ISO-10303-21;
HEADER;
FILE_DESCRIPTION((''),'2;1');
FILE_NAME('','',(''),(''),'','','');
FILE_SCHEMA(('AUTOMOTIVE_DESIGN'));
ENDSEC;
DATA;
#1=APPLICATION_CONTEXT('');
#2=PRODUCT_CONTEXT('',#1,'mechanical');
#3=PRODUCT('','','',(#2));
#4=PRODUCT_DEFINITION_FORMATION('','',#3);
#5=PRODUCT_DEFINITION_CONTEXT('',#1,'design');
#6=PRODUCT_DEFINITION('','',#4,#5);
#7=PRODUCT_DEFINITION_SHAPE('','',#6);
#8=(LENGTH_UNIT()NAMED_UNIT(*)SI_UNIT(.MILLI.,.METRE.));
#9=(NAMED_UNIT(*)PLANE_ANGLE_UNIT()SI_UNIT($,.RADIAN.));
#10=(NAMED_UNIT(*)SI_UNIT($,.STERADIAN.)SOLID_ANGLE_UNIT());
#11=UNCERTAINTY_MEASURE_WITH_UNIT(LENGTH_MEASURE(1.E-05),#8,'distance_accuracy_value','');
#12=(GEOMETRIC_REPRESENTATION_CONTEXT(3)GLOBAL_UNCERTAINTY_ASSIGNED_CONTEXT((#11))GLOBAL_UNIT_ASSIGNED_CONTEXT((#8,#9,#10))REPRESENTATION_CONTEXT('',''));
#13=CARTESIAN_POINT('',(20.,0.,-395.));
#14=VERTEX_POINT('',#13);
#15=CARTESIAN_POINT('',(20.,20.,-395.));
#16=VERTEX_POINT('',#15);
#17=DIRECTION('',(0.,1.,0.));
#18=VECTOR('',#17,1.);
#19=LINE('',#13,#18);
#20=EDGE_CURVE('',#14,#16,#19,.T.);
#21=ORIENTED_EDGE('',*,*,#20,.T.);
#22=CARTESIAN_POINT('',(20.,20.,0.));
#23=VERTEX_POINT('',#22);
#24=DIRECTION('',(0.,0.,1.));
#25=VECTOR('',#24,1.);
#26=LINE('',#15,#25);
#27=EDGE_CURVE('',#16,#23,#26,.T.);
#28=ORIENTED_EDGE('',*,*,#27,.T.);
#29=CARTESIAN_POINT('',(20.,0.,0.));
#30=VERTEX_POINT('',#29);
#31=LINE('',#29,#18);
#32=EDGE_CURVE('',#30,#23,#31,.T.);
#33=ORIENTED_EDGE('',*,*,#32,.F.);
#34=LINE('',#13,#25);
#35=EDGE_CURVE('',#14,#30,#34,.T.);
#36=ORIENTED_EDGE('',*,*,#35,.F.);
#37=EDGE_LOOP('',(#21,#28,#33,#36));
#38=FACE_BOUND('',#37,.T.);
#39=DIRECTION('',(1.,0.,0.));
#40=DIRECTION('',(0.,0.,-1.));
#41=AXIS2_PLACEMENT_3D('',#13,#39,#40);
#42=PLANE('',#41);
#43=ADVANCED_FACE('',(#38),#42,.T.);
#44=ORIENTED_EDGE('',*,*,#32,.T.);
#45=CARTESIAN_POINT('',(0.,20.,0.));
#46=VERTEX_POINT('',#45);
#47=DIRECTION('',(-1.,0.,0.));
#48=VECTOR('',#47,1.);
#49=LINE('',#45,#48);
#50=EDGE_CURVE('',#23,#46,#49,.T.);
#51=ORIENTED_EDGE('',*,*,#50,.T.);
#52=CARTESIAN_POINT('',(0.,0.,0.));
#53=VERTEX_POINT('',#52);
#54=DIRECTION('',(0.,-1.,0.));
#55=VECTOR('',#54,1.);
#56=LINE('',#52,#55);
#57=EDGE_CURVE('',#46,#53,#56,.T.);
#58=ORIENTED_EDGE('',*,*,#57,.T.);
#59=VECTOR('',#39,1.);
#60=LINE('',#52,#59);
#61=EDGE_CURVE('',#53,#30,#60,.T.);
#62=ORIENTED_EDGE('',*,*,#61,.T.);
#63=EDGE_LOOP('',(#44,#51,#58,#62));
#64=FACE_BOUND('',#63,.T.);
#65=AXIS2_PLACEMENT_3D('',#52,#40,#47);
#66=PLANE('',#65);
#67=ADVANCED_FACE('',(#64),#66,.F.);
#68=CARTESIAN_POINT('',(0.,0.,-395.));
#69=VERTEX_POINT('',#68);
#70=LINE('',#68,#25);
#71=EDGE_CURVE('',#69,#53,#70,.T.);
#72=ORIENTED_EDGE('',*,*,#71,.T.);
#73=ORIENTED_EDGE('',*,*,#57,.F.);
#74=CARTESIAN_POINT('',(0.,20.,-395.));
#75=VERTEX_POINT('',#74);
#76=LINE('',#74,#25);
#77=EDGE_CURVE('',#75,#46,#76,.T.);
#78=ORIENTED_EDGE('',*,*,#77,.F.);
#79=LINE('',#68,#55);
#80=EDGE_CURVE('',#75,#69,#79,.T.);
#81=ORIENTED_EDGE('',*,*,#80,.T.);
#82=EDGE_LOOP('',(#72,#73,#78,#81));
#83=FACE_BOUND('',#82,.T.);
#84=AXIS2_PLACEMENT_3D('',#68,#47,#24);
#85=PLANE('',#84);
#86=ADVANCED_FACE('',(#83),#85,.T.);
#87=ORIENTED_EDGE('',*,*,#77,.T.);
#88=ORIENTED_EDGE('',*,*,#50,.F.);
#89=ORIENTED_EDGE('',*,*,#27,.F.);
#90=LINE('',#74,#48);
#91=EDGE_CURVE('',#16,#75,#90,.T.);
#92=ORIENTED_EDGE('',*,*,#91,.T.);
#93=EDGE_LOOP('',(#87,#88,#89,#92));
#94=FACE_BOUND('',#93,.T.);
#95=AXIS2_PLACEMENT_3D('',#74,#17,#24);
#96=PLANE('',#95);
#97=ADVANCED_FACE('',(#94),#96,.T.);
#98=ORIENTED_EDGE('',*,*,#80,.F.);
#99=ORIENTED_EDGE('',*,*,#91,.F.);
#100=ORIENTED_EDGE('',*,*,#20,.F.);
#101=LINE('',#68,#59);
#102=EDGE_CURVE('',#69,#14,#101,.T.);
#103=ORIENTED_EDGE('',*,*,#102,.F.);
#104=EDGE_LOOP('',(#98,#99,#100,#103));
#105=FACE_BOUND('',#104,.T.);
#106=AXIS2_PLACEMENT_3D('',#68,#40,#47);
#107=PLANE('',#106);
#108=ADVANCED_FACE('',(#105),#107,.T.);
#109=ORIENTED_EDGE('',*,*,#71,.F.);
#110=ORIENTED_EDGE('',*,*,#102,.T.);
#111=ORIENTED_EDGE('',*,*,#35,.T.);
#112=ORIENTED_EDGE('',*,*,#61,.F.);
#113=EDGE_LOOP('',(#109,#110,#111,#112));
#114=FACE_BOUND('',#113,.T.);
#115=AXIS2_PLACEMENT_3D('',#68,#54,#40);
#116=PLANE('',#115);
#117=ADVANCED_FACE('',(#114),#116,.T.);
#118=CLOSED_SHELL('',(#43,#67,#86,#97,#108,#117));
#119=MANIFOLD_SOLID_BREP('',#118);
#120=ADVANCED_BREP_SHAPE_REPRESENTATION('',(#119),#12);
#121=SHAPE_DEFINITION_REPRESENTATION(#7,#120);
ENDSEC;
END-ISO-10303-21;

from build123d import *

# Parameters (mm, degrees)
SZKIC1_W                    = 20
SZKIC1_H                    = 20
DODANIE_WYCI_GNI_CIE1_DEPTH = 395


with BuildPart() as part:
    # Szkic1 → Dodanie-wyciągnięcie1 (new body)
    with BuildSketch(Plane.XY):
        with Locations((10, 10)):
            Rectangle(SZKIC1_W, SZKIC1_H)
    extrude(amount=-DODANIE_WYCI_GNI_CIE1_DEPTH)


solid = part.part
